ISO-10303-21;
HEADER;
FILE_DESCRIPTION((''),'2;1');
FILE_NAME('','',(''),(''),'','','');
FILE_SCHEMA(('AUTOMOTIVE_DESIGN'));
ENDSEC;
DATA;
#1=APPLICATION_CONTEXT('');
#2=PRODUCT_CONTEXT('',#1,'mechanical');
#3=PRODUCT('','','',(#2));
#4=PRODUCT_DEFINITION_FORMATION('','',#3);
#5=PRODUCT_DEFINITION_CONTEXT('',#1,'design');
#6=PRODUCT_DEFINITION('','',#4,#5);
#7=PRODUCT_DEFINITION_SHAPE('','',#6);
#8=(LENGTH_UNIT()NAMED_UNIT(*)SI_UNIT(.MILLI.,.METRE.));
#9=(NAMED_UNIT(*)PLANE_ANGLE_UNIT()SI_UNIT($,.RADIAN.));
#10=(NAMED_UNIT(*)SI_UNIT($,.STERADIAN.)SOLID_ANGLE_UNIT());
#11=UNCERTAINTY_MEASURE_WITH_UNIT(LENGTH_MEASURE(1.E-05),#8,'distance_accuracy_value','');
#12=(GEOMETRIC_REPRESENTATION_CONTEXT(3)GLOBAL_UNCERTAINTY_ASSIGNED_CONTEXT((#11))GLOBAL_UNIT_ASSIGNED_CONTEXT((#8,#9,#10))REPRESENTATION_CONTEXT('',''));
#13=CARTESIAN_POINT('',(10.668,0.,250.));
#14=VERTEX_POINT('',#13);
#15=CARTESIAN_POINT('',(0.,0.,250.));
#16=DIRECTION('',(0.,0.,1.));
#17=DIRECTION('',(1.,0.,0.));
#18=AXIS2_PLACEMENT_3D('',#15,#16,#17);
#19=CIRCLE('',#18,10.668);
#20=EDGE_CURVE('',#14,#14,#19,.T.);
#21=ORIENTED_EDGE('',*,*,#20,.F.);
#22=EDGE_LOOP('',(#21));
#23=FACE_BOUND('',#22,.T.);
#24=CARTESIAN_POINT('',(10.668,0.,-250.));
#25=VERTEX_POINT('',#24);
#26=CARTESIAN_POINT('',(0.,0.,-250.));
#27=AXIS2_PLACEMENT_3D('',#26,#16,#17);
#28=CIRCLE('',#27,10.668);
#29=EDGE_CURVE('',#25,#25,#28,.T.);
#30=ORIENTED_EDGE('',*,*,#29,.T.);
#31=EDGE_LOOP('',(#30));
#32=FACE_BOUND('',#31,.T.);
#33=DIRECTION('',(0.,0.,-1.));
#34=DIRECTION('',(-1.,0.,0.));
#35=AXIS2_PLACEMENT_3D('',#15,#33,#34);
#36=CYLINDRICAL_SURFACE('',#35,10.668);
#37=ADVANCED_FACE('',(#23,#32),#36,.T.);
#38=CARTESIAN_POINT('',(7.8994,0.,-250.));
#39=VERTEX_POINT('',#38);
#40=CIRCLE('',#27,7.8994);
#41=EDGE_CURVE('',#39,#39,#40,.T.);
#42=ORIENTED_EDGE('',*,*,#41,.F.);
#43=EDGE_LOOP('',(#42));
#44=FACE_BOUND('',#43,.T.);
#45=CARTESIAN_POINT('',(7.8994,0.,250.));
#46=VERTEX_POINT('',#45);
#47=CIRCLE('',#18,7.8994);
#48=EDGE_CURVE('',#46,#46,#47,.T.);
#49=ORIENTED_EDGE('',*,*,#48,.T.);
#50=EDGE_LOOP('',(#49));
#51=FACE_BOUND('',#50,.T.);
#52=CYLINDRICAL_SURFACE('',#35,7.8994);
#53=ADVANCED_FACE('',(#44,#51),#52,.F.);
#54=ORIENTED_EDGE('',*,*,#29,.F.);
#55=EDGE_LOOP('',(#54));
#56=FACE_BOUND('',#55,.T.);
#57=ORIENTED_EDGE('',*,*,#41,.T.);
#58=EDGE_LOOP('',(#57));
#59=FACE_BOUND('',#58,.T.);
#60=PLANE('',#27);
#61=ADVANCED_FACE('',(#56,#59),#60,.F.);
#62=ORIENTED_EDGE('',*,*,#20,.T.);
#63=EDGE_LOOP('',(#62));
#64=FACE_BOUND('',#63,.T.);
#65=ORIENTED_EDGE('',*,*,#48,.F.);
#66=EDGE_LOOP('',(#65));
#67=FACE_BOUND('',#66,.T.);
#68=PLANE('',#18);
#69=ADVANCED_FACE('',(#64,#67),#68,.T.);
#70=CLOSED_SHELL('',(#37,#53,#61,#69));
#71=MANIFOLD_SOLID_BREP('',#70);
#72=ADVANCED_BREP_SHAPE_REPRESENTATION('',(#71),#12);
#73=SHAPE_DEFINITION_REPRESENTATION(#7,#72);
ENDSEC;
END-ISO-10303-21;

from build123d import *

# Parameters (mm, degrees)
SKETCH1_R           = 10.668
SKETCH1_R_2         = 7.8994
EXTRUDE_THIN1_DEPTH = 250


with BuildPart() as part:
    # Sketch1 → Extrude-Thin1 (new body, symmetric)
    with BuildSketch(Plane.XY):
        Circle(SKETCH1_R)
        Circle(SKETCH1_R_2, mode=Mode.SUBTRACT)
    extrude(amount=EXTRUDE_THIN1_DEPTH, both=True)


solid = part.part
